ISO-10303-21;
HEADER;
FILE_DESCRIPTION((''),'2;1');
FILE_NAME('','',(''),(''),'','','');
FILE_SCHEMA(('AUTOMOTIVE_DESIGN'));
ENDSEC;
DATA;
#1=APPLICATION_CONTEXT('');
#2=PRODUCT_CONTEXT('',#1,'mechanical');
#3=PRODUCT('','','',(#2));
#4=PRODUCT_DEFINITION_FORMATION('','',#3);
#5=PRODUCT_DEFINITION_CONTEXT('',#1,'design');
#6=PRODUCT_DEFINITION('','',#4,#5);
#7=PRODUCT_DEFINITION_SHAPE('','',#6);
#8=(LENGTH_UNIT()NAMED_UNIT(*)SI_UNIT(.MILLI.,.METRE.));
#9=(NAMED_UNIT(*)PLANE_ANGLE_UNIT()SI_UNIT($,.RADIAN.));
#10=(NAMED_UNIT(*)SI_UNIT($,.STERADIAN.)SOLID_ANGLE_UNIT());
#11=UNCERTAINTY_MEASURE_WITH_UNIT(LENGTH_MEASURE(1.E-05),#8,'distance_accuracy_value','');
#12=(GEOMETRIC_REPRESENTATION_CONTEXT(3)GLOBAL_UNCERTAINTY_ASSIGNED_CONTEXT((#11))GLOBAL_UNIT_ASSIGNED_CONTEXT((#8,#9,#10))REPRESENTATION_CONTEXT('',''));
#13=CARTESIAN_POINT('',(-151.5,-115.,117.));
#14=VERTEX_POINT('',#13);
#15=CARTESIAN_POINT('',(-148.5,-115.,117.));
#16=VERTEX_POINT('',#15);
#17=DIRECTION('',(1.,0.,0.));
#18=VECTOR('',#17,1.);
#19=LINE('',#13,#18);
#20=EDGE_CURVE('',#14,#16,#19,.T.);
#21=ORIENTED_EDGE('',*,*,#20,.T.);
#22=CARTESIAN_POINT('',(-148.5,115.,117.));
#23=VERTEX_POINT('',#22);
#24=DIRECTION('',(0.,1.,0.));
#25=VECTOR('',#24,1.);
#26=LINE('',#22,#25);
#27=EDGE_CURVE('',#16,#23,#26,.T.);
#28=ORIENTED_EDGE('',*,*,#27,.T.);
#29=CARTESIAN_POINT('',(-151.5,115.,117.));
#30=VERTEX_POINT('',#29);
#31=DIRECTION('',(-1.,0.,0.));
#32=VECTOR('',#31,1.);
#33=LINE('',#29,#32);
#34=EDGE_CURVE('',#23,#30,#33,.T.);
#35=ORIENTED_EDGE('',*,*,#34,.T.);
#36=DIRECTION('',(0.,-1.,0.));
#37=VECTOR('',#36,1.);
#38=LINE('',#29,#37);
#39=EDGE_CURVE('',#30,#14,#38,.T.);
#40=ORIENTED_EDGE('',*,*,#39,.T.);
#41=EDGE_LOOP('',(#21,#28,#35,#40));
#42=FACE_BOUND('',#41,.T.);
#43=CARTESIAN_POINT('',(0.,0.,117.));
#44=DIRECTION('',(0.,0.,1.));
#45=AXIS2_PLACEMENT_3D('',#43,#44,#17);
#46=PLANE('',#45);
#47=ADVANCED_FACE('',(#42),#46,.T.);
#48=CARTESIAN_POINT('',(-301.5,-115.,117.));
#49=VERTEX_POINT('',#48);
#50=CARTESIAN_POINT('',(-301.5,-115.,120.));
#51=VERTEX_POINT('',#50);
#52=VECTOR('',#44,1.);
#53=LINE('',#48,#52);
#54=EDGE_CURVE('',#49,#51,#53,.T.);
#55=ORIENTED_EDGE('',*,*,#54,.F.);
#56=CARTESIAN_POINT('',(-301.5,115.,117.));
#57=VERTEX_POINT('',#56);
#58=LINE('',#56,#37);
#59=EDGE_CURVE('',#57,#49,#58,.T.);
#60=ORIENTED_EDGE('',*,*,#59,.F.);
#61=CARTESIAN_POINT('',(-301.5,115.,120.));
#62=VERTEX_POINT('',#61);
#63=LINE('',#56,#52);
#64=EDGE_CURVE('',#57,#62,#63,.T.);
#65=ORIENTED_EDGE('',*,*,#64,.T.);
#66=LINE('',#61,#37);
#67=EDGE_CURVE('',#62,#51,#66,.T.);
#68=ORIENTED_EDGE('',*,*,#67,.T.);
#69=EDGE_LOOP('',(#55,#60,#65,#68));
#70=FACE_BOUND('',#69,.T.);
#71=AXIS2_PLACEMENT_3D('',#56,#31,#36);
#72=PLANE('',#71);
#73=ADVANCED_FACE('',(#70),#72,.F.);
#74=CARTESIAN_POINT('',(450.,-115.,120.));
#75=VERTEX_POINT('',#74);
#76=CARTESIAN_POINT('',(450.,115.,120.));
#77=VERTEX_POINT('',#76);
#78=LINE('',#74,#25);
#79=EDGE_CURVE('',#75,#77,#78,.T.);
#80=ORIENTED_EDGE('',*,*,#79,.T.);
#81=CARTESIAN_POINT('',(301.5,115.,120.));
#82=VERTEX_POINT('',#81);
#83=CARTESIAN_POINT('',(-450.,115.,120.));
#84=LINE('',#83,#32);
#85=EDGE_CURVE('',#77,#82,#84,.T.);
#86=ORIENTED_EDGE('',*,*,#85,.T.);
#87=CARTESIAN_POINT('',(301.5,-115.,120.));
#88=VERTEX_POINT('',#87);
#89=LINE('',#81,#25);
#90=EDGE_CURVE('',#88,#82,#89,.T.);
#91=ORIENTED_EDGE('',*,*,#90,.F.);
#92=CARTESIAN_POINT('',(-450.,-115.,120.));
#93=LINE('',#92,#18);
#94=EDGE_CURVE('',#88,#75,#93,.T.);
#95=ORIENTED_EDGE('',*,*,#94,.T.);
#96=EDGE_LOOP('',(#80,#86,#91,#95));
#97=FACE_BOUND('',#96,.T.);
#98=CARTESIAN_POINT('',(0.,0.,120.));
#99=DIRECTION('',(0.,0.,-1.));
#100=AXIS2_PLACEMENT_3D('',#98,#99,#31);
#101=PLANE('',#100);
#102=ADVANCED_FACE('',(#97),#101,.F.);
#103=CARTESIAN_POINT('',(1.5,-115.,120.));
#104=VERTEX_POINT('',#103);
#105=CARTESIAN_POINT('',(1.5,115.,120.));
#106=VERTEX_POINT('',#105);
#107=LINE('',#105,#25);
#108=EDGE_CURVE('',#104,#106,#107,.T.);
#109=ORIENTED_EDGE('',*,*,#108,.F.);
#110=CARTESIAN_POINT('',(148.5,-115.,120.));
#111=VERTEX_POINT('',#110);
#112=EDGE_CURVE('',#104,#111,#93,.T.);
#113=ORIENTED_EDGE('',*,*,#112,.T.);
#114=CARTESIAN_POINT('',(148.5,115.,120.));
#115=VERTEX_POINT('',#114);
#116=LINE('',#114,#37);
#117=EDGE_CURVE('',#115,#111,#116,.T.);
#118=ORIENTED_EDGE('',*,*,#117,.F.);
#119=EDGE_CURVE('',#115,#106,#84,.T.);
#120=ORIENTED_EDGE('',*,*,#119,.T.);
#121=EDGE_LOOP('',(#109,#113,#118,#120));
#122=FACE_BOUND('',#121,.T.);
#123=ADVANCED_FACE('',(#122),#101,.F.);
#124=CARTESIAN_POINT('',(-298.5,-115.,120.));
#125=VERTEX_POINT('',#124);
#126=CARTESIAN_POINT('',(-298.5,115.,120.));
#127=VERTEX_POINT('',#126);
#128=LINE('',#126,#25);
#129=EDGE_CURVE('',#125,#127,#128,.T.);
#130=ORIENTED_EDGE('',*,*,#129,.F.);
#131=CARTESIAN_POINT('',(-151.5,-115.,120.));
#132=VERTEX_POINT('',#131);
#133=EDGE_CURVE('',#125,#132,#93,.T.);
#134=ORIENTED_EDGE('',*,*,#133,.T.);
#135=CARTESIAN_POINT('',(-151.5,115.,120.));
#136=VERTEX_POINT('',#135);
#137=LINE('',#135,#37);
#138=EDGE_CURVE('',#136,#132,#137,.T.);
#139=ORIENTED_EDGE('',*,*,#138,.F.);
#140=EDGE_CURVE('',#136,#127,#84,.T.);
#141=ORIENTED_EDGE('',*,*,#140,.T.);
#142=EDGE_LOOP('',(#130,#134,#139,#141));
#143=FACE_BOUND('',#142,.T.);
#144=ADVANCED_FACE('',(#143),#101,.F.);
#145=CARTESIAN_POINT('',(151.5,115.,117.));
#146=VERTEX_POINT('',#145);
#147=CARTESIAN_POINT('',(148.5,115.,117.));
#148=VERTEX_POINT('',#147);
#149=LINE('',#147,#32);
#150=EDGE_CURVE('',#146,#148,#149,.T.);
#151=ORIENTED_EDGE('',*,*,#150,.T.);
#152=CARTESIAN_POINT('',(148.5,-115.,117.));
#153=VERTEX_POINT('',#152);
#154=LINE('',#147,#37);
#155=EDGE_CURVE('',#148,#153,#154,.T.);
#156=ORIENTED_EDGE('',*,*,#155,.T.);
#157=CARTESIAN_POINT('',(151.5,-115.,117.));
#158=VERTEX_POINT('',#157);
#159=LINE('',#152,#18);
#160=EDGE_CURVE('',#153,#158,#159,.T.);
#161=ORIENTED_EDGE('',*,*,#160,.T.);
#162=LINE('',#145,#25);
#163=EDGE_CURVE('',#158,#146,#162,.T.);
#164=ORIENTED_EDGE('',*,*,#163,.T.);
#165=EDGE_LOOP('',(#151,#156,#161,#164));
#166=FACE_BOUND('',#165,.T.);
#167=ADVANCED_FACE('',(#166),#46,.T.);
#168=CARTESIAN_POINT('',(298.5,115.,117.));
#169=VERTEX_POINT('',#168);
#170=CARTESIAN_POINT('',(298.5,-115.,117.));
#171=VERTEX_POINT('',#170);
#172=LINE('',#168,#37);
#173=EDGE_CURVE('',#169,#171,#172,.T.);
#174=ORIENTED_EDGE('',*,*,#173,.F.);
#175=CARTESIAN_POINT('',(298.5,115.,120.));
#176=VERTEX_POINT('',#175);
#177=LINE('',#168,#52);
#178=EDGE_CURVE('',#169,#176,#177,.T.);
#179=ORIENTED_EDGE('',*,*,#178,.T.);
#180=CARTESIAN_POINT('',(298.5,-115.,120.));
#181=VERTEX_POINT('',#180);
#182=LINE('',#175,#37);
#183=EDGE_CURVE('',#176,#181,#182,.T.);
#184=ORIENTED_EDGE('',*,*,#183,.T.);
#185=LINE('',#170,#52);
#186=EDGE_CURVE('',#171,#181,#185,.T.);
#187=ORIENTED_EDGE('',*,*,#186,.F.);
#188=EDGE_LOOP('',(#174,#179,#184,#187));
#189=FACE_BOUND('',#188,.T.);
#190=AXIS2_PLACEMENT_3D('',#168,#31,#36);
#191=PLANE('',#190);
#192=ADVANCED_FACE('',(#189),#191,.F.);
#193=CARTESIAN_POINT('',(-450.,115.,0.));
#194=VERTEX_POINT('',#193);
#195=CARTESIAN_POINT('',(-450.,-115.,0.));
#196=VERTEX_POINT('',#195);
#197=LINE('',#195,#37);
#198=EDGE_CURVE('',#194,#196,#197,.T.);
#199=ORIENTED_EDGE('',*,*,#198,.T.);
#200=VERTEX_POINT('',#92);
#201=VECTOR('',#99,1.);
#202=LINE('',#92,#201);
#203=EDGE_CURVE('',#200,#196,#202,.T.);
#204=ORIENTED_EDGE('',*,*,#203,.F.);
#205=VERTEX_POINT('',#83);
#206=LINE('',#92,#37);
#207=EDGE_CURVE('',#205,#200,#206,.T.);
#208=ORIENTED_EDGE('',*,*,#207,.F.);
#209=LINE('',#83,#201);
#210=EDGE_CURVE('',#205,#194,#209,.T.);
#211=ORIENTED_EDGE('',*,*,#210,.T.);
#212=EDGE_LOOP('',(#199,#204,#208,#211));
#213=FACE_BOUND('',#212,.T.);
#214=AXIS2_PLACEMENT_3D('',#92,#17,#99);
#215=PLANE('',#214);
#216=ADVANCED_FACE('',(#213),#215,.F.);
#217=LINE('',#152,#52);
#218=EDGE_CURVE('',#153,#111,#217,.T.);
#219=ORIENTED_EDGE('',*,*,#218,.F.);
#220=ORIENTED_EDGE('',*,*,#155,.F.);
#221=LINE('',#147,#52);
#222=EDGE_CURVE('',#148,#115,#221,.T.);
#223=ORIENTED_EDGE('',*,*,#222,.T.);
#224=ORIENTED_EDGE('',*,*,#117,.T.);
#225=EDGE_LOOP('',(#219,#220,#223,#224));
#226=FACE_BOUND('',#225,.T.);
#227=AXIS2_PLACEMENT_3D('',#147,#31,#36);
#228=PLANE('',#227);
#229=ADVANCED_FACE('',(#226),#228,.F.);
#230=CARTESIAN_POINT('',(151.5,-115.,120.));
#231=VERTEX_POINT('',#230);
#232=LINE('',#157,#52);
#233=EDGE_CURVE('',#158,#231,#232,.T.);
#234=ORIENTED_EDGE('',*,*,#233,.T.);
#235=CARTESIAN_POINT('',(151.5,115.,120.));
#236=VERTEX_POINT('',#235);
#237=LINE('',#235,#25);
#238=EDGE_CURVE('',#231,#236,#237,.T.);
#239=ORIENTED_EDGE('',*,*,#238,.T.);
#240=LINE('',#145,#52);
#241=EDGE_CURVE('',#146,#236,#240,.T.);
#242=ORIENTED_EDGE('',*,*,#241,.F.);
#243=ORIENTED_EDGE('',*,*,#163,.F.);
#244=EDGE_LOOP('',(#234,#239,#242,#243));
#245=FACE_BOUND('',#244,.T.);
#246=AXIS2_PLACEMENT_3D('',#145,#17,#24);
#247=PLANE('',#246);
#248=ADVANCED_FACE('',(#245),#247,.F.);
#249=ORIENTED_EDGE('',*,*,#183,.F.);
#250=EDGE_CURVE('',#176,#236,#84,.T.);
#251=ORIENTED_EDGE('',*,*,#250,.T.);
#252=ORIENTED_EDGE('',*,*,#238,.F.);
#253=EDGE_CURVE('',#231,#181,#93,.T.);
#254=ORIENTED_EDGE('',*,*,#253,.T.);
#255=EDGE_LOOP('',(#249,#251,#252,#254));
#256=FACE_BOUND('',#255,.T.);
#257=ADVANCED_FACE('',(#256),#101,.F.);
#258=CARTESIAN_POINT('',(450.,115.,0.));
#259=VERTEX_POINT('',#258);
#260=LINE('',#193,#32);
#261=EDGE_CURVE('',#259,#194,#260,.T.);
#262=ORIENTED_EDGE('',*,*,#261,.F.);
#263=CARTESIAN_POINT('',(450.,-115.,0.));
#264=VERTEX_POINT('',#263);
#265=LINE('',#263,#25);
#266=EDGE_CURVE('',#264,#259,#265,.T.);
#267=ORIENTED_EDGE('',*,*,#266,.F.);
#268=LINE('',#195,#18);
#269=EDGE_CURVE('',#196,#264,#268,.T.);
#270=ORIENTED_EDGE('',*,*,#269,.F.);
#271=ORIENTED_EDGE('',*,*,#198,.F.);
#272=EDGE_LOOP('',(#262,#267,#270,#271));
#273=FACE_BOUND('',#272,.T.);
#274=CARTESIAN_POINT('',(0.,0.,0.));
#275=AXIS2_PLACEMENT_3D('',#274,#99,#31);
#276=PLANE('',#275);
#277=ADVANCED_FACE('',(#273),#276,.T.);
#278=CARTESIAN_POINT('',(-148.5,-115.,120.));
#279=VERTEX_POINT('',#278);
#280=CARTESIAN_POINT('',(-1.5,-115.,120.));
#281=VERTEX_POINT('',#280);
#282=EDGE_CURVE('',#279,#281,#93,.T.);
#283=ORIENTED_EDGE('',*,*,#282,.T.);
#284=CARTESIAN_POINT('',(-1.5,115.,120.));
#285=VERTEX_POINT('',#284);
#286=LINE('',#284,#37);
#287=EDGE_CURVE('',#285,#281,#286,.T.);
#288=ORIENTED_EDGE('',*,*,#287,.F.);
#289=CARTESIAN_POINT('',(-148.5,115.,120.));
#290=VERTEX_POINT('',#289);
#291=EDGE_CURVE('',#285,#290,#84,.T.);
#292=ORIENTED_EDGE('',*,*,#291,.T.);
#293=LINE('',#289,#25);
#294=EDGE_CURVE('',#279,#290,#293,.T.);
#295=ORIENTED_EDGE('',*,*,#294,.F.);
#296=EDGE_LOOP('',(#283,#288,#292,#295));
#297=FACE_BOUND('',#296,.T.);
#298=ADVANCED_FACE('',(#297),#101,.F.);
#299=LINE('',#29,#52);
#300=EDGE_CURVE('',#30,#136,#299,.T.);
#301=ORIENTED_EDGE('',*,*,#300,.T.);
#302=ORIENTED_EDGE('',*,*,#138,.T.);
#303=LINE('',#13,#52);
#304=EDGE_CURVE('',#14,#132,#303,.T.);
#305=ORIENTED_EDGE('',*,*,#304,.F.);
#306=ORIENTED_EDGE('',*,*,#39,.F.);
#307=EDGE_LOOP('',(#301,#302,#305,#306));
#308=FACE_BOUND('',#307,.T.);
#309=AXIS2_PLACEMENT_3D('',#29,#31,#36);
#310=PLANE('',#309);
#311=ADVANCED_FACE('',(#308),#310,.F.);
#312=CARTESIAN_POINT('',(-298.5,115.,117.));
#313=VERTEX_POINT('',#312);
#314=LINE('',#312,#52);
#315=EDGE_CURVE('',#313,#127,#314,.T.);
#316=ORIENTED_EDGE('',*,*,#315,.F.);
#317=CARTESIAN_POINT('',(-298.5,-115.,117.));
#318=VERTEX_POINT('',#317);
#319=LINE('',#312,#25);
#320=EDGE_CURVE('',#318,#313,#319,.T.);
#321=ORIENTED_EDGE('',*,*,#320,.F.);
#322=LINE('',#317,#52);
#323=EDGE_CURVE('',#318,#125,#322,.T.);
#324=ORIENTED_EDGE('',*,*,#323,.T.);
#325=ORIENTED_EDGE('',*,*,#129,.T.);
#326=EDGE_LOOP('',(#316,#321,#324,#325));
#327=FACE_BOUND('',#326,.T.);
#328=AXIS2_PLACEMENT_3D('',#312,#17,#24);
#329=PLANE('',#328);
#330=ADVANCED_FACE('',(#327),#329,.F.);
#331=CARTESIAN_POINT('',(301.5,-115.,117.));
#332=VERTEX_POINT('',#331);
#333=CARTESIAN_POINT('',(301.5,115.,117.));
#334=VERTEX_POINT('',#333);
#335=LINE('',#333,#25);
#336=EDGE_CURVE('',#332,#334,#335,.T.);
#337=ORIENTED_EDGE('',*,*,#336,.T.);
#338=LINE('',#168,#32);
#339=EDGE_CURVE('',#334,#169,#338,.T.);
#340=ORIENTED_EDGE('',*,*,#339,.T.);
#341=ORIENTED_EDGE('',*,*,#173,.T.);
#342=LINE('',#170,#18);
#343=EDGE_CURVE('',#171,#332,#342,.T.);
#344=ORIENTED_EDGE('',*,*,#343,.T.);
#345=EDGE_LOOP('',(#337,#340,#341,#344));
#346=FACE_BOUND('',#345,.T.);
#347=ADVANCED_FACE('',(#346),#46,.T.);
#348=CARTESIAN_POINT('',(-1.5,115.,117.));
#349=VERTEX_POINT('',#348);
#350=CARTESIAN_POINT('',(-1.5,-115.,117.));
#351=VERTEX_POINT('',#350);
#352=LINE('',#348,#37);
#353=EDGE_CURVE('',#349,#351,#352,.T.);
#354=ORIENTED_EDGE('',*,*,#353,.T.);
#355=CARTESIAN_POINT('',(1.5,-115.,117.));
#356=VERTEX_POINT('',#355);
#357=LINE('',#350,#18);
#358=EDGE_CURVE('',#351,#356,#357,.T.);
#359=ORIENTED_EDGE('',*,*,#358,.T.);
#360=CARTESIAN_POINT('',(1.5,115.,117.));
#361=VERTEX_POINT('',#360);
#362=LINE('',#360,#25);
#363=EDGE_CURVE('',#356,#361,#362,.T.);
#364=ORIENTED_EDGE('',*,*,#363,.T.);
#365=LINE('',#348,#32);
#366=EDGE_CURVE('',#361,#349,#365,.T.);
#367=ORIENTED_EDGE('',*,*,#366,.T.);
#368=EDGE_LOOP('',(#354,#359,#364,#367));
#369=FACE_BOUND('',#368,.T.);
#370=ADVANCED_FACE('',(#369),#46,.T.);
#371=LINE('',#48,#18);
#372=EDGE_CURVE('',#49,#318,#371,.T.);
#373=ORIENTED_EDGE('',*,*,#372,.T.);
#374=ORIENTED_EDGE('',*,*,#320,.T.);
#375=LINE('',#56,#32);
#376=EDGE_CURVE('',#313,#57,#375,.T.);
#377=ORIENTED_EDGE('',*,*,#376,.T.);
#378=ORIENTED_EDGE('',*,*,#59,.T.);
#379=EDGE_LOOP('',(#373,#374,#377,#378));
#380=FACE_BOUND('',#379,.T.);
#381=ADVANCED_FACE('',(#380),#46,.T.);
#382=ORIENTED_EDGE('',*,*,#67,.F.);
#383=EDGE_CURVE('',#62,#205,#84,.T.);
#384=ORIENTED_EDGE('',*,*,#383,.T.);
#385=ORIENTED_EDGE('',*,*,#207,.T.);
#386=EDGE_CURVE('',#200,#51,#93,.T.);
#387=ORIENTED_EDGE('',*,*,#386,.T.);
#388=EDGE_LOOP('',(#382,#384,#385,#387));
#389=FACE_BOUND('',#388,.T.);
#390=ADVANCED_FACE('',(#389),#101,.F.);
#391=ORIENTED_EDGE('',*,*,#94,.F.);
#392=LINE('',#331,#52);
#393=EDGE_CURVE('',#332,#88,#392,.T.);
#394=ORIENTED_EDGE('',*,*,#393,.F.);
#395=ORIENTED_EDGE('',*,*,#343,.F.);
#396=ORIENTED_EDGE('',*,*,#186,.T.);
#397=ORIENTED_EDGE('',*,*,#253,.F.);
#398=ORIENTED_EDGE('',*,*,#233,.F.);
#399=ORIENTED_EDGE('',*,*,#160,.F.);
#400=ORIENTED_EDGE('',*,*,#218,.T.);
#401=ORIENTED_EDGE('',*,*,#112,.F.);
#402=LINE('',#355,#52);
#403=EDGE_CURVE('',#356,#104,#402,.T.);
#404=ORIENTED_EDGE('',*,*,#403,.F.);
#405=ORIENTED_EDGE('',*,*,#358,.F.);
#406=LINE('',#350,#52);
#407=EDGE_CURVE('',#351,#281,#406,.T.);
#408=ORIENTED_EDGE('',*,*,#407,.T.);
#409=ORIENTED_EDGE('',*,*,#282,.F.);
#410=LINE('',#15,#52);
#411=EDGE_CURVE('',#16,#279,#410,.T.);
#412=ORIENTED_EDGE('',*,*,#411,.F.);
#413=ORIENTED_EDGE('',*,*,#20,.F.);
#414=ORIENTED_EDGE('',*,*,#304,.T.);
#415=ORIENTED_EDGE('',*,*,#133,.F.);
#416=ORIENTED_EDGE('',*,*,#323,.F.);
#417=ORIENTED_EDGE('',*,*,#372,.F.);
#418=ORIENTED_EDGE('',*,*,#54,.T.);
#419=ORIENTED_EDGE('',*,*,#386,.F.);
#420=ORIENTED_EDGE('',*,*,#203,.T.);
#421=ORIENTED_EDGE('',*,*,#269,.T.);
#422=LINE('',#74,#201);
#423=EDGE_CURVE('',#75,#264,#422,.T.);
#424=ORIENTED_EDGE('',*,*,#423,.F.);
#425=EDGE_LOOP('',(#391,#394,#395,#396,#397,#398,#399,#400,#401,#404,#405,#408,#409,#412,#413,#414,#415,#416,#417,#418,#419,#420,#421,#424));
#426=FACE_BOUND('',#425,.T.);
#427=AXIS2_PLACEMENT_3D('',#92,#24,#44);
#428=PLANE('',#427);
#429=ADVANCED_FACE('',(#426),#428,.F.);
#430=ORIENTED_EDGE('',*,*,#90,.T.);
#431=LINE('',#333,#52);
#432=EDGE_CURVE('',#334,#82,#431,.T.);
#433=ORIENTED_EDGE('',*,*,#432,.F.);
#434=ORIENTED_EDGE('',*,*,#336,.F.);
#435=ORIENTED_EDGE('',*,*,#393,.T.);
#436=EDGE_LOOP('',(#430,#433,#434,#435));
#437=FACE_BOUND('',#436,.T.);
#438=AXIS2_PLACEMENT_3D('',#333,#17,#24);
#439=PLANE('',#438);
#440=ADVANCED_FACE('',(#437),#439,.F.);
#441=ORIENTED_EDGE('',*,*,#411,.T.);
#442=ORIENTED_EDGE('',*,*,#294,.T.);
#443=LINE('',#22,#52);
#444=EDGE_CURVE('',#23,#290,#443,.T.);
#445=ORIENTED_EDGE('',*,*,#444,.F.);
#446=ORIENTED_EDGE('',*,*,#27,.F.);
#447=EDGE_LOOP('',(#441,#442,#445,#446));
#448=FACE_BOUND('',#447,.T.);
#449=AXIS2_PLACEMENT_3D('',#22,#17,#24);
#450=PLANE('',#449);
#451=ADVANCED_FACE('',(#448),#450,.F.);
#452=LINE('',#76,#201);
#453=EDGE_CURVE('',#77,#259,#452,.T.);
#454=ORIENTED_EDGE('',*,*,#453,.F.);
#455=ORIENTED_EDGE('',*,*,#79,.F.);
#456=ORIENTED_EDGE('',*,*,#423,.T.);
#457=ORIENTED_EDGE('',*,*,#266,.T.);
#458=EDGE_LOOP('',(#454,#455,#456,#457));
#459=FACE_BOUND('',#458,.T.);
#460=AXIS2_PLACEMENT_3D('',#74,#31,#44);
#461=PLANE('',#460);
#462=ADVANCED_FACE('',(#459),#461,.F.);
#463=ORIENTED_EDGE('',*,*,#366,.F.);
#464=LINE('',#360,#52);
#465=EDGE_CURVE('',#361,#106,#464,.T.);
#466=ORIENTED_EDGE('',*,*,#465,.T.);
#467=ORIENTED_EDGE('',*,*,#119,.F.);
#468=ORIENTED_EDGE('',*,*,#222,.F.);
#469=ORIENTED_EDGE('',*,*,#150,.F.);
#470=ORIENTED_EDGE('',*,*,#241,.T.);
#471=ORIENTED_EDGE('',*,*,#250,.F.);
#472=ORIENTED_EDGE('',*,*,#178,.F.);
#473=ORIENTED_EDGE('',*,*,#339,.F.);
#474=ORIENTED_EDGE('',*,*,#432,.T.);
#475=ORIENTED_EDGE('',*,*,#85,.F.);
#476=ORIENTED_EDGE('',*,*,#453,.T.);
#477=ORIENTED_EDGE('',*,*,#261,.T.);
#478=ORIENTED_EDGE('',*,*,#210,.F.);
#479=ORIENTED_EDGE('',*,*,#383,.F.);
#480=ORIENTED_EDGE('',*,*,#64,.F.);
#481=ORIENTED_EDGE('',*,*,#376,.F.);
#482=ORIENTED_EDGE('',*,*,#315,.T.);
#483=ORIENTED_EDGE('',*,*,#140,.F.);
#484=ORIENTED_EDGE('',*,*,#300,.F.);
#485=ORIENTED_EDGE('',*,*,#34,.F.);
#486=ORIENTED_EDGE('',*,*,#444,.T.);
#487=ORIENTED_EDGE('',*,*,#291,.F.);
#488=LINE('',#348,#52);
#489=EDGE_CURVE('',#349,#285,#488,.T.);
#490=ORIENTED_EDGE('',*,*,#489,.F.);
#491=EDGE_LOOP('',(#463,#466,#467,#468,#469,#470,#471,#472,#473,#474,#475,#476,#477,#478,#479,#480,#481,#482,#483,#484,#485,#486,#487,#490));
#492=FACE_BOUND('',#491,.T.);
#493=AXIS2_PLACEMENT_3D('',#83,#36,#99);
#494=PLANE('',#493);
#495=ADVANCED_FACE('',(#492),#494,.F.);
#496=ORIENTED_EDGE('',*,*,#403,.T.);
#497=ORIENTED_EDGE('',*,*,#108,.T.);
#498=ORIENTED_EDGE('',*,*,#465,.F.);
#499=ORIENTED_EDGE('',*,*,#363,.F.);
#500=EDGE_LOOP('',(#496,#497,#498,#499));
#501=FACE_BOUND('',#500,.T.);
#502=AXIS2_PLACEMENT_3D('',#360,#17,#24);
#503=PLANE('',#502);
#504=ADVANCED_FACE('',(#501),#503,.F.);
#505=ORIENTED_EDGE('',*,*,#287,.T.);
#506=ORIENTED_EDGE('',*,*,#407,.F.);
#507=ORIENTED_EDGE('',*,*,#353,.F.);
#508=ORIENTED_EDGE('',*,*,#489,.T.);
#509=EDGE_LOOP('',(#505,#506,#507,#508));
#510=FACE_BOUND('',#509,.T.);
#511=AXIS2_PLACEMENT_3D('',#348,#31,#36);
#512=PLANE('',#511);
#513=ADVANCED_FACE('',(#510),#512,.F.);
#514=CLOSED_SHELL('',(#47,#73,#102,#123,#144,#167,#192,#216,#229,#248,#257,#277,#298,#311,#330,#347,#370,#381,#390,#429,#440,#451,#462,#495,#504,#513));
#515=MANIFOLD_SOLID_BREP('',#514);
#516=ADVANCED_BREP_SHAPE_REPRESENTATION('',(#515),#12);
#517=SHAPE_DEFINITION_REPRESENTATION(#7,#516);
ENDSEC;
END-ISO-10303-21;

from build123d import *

# Parameters (mm, degrees)
SKETCH1_W           = 900
SKETCH1_H           = 230
BOSS_EXTRUDE1_DEPTH = 120
SKETCH2_W           = 3
SKETCH2_H           = 230
CUT_EXTRUDE1_DEPTH  = 3


with BuildPart() as part:
    # Sketch1 → Boss-Extrude1 (new body)
    with BuildSketch(Plane.XY):
        Rectangle(SKETCH1_W, SKETCH1_H)
    extrude(amount=BOSS_EXTRUDE1_DEPTH)

    # Sketch2 → Cut-Extrude1 (cut)
    with BuildSketch(Plane.XY.offset(120)):
        with Locations((-300, 0)):
            Rectangle(SKETCH2_W, SKETCH2_H)
        with Locations((-150, 0)):
            Rectangle(SKETCH2_W, SKETCH2_H)
        Rectangle(SKETCH2_W, SKETCH2_H)
        with Locations((150, 0)):
            Rectangle(SKETCH2_W, SKETCH2_H)
        with Locations((300, 0)):
            Rectangle(SKETCH2_W, SKETCH2_H)
    extrude(amount=-CUT_EXTRUDE1_DEPTH, mode=Mode.SUBTRACT)


solid = part.part
